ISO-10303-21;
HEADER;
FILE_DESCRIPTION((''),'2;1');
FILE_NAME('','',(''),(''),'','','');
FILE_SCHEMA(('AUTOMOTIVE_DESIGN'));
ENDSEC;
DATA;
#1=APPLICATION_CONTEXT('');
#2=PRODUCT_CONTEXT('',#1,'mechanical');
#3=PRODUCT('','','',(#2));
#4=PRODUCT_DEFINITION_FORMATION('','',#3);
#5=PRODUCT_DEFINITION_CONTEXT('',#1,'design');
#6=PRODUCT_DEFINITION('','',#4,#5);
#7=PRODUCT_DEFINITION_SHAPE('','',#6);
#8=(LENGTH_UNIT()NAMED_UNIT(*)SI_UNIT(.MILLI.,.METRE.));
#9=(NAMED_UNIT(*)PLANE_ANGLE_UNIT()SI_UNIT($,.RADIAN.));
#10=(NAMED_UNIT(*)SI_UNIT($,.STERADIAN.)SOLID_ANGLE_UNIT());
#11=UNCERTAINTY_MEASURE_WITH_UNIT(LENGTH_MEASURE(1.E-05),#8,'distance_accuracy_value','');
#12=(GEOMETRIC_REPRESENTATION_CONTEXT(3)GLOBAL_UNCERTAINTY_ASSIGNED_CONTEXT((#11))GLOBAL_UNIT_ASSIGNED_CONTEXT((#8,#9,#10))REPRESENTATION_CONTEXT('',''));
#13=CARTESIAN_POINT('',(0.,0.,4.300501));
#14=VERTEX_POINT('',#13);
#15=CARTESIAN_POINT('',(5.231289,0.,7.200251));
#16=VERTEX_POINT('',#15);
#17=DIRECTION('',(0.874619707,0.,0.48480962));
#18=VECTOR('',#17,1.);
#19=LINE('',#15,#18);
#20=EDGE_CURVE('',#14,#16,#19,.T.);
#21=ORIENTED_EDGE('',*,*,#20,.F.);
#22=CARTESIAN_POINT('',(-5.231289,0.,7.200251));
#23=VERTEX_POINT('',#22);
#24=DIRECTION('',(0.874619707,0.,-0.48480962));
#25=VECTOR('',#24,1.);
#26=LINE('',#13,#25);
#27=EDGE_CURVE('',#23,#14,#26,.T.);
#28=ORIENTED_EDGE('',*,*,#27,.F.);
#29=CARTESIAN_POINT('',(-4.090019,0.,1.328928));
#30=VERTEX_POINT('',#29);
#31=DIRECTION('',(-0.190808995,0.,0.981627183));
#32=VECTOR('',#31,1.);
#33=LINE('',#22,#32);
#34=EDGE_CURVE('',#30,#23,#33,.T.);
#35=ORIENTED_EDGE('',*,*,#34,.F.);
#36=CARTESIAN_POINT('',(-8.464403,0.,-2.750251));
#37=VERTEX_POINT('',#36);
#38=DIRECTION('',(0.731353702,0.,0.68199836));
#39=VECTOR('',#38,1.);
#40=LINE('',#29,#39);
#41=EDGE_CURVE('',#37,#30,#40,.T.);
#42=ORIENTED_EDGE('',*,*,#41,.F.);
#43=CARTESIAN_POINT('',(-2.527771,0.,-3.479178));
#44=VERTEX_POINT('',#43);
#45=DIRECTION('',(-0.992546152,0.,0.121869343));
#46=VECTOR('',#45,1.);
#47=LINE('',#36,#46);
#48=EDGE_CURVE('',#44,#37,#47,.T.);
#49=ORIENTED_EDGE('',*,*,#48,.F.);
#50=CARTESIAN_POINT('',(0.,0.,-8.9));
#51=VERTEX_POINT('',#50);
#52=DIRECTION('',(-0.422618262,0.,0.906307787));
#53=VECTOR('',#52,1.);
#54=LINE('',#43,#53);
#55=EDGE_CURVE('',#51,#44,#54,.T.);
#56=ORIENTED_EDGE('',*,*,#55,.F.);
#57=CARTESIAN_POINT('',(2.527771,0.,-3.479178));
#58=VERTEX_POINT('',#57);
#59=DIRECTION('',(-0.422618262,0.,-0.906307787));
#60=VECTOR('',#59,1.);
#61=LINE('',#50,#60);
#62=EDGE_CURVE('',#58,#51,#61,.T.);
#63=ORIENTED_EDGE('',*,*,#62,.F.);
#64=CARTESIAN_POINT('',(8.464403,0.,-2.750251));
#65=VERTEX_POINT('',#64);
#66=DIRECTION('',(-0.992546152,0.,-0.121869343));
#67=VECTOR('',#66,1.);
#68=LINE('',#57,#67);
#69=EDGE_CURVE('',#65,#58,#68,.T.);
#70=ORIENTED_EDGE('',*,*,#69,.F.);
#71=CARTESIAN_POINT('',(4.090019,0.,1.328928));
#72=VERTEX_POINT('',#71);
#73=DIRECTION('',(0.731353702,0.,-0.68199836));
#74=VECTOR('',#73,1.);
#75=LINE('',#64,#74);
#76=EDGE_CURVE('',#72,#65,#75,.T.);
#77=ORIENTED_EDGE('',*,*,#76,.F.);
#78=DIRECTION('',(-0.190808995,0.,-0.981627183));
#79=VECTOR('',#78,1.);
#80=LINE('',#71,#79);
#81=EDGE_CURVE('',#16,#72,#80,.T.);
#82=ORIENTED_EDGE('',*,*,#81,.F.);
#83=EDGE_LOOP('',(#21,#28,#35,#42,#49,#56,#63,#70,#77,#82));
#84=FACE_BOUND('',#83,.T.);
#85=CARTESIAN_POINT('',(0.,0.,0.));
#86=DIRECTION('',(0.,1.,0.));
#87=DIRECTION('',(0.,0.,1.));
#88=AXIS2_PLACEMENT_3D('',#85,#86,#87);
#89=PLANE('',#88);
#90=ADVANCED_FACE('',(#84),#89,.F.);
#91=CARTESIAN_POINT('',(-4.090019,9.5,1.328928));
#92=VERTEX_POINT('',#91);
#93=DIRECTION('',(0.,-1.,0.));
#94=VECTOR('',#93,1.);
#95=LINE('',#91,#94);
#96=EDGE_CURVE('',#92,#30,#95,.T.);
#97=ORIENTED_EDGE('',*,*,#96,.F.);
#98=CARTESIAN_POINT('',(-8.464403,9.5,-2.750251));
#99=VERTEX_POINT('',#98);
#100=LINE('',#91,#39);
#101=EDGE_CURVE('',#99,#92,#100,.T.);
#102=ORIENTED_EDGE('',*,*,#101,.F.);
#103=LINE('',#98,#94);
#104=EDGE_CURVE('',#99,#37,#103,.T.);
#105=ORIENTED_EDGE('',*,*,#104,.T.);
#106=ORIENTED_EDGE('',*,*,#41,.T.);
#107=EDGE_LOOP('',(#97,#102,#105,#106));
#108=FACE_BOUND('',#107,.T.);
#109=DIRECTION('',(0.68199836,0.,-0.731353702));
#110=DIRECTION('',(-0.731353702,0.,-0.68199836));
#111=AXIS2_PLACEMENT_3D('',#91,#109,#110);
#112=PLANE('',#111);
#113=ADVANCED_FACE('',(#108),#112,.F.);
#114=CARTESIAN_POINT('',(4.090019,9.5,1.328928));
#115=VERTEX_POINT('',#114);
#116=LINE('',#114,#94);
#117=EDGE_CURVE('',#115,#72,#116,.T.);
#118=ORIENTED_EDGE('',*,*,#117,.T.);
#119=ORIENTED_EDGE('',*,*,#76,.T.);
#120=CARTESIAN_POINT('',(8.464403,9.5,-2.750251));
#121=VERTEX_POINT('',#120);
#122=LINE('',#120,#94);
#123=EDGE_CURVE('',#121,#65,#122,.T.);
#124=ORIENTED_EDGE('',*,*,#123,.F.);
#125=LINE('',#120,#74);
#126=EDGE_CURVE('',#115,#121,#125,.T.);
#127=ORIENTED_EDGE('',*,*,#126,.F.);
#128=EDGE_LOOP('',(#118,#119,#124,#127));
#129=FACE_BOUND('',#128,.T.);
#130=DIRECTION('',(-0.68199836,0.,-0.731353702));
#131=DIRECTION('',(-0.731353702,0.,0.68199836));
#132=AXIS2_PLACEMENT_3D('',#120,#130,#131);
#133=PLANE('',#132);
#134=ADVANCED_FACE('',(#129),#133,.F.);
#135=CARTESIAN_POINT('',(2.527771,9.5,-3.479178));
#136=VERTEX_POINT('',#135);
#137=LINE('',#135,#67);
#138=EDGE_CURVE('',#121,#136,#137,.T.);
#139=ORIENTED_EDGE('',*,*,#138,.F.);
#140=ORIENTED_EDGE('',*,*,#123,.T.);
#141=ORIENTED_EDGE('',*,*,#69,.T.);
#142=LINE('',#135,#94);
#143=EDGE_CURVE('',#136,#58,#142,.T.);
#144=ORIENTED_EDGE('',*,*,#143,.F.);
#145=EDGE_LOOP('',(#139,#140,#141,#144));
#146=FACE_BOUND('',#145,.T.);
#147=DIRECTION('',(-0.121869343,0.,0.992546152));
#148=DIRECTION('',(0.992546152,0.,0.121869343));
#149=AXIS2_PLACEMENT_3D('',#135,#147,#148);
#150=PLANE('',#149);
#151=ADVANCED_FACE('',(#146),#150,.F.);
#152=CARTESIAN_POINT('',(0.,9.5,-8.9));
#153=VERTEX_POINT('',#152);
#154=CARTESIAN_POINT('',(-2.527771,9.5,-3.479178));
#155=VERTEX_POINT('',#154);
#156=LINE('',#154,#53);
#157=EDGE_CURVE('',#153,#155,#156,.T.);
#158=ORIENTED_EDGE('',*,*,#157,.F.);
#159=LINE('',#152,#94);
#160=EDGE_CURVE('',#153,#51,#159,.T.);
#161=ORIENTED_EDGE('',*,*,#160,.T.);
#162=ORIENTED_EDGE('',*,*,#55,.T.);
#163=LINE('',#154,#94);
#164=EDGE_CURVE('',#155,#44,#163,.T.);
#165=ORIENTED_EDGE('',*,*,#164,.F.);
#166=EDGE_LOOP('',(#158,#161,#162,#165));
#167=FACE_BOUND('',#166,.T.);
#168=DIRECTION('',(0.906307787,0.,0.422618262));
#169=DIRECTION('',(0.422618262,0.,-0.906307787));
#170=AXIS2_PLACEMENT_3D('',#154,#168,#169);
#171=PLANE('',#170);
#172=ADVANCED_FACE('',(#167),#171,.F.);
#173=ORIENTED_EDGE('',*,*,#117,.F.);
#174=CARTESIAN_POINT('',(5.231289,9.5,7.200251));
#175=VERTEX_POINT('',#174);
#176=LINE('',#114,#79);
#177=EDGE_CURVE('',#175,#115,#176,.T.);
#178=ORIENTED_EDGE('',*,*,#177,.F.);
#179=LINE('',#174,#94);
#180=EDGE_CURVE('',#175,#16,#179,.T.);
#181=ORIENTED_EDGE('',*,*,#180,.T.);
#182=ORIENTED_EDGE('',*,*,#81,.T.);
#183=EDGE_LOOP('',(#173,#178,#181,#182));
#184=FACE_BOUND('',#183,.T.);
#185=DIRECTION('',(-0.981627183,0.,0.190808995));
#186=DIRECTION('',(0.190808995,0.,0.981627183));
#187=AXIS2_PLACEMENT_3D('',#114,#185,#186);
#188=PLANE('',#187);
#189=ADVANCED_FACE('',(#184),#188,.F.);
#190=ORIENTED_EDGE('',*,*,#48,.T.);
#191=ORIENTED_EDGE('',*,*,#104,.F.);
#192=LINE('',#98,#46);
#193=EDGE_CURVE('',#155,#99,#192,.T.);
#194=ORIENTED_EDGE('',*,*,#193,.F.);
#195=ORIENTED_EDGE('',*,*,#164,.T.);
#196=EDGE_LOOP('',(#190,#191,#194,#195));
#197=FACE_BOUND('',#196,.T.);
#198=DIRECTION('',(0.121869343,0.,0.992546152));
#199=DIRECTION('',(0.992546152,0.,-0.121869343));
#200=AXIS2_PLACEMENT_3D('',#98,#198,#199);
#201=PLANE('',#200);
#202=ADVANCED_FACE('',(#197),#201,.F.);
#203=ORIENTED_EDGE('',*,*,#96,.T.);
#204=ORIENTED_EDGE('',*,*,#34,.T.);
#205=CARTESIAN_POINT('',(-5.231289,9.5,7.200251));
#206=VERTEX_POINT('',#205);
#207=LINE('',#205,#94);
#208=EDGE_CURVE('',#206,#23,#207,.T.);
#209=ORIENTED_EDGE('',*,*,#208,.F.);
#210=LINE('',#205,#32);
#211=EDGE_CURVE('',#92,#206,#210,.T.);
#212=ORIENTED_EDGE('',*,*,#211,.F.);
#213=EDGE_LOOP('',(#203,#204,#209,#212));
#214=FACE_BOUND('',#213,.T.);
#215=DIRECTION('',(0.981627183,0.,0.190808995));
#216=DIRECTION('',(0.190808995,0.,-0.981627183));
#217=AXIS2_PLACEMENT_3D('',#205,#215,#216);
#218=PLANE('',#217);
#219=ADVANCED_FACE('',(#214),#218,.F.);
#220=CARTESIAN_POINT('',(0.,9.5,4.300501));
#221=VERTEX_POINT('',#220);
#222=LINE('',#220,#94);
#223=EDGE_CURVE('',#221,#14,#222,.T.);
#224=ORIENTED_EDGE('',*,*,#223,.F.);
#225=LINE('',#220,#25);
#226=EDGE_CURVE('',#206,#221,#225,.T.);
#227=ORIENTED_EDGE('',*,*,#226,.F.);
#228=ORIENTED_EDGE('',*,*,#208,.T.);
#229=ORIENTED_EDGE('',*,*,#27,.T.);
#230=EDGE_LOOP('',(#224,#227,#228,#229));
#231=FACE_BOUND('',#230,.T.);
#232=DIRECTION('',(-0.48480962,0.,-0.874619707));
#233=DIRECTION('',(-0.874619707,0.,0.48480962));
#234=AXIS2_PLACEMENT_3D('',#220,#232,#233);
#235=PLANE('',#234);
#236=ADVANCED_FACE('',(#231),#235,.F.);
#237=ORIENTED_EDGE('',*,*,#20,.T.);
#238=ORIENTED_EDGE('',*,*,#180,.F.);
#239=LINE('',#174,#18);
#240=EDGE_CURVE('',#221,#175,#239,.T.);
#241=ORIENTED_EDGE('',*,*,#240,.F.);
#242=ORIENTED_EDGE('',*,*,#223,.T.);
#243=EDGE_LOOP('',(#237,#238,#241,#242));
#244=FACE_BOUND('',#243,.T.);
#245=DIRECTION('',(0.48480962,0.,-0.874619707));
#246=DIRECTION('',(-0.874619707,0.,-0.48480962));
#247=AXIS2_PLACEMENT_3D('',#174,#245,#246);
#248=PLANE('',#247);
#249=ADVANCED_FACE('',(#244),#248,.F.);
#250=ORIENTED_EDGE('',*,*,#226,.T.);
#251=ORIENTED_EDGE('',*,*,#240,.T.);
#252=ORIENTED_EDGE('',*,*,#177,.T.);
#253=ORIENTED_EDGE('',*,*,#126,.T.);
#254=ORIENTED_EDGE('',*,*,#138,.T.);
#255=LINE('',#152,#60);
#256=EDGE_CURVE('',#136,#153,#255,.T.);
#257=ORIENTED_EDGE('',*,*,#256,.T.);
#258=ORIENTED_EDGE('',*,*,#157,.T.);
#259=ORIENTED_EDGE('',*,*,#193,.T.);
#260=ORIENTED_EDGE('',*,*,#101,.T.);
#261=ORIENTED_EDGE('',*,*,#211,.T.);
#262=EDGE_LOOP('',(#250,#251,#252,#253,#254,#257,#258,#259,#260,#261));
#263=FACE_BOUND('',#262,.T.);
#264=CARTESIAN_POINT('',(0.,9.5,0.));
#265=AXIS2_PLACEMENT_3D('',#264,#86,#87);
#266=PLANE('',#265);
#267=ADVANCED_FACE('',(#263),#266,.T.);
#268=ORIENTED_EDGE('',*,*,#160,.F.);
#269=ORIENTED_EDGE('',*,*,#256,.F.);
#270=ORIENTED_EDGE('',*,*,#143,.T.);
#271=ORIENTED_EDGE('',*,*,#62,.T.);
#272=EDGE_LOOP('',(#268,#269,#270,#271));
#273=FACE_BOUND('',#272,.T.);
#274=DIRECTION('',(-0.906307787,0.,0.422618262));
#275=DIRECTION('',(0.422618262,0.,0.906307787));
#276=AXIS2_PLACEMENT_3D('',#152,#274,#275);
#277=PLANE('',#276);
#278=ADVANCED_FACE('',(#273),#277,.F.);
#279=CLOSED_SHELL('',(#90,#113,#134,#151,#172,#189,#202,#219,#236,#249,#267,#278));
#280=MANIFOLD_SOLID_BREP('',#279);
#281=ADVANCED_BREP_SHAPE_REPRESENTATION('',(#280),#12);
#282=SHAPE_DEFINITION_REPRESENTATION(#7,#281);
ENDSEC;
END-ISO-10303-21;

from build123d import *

# Parameters (mm, degrees)
BOSS_EXTRUDE1_DEPTH = 9.5


with BuildPart() as part:
    # Sketch1 → Boss-Extrude1 (new body)
    with BuildSketch(Plane(origin=(0, 0, 0), x_dir=(1, 0, 0), z_dir=(0, 1, 0))):
        Polygon((0, 8.9), (2.527770799, 3.479178027), (8.464402995, 2.75025125), (4.090019069, -1.328927754), (5.231288745, -7.20025125), (0, -4.300500548), (-5.231288745, -7.20025125), (-4.090019069, -1.328927754), (-8.464402995, 2.75025125), (-2.527770799, 3.479178027), align=None)
    extrude(amount=BOSS_EXTRUDE1_DEPTH)


solid = part.part
